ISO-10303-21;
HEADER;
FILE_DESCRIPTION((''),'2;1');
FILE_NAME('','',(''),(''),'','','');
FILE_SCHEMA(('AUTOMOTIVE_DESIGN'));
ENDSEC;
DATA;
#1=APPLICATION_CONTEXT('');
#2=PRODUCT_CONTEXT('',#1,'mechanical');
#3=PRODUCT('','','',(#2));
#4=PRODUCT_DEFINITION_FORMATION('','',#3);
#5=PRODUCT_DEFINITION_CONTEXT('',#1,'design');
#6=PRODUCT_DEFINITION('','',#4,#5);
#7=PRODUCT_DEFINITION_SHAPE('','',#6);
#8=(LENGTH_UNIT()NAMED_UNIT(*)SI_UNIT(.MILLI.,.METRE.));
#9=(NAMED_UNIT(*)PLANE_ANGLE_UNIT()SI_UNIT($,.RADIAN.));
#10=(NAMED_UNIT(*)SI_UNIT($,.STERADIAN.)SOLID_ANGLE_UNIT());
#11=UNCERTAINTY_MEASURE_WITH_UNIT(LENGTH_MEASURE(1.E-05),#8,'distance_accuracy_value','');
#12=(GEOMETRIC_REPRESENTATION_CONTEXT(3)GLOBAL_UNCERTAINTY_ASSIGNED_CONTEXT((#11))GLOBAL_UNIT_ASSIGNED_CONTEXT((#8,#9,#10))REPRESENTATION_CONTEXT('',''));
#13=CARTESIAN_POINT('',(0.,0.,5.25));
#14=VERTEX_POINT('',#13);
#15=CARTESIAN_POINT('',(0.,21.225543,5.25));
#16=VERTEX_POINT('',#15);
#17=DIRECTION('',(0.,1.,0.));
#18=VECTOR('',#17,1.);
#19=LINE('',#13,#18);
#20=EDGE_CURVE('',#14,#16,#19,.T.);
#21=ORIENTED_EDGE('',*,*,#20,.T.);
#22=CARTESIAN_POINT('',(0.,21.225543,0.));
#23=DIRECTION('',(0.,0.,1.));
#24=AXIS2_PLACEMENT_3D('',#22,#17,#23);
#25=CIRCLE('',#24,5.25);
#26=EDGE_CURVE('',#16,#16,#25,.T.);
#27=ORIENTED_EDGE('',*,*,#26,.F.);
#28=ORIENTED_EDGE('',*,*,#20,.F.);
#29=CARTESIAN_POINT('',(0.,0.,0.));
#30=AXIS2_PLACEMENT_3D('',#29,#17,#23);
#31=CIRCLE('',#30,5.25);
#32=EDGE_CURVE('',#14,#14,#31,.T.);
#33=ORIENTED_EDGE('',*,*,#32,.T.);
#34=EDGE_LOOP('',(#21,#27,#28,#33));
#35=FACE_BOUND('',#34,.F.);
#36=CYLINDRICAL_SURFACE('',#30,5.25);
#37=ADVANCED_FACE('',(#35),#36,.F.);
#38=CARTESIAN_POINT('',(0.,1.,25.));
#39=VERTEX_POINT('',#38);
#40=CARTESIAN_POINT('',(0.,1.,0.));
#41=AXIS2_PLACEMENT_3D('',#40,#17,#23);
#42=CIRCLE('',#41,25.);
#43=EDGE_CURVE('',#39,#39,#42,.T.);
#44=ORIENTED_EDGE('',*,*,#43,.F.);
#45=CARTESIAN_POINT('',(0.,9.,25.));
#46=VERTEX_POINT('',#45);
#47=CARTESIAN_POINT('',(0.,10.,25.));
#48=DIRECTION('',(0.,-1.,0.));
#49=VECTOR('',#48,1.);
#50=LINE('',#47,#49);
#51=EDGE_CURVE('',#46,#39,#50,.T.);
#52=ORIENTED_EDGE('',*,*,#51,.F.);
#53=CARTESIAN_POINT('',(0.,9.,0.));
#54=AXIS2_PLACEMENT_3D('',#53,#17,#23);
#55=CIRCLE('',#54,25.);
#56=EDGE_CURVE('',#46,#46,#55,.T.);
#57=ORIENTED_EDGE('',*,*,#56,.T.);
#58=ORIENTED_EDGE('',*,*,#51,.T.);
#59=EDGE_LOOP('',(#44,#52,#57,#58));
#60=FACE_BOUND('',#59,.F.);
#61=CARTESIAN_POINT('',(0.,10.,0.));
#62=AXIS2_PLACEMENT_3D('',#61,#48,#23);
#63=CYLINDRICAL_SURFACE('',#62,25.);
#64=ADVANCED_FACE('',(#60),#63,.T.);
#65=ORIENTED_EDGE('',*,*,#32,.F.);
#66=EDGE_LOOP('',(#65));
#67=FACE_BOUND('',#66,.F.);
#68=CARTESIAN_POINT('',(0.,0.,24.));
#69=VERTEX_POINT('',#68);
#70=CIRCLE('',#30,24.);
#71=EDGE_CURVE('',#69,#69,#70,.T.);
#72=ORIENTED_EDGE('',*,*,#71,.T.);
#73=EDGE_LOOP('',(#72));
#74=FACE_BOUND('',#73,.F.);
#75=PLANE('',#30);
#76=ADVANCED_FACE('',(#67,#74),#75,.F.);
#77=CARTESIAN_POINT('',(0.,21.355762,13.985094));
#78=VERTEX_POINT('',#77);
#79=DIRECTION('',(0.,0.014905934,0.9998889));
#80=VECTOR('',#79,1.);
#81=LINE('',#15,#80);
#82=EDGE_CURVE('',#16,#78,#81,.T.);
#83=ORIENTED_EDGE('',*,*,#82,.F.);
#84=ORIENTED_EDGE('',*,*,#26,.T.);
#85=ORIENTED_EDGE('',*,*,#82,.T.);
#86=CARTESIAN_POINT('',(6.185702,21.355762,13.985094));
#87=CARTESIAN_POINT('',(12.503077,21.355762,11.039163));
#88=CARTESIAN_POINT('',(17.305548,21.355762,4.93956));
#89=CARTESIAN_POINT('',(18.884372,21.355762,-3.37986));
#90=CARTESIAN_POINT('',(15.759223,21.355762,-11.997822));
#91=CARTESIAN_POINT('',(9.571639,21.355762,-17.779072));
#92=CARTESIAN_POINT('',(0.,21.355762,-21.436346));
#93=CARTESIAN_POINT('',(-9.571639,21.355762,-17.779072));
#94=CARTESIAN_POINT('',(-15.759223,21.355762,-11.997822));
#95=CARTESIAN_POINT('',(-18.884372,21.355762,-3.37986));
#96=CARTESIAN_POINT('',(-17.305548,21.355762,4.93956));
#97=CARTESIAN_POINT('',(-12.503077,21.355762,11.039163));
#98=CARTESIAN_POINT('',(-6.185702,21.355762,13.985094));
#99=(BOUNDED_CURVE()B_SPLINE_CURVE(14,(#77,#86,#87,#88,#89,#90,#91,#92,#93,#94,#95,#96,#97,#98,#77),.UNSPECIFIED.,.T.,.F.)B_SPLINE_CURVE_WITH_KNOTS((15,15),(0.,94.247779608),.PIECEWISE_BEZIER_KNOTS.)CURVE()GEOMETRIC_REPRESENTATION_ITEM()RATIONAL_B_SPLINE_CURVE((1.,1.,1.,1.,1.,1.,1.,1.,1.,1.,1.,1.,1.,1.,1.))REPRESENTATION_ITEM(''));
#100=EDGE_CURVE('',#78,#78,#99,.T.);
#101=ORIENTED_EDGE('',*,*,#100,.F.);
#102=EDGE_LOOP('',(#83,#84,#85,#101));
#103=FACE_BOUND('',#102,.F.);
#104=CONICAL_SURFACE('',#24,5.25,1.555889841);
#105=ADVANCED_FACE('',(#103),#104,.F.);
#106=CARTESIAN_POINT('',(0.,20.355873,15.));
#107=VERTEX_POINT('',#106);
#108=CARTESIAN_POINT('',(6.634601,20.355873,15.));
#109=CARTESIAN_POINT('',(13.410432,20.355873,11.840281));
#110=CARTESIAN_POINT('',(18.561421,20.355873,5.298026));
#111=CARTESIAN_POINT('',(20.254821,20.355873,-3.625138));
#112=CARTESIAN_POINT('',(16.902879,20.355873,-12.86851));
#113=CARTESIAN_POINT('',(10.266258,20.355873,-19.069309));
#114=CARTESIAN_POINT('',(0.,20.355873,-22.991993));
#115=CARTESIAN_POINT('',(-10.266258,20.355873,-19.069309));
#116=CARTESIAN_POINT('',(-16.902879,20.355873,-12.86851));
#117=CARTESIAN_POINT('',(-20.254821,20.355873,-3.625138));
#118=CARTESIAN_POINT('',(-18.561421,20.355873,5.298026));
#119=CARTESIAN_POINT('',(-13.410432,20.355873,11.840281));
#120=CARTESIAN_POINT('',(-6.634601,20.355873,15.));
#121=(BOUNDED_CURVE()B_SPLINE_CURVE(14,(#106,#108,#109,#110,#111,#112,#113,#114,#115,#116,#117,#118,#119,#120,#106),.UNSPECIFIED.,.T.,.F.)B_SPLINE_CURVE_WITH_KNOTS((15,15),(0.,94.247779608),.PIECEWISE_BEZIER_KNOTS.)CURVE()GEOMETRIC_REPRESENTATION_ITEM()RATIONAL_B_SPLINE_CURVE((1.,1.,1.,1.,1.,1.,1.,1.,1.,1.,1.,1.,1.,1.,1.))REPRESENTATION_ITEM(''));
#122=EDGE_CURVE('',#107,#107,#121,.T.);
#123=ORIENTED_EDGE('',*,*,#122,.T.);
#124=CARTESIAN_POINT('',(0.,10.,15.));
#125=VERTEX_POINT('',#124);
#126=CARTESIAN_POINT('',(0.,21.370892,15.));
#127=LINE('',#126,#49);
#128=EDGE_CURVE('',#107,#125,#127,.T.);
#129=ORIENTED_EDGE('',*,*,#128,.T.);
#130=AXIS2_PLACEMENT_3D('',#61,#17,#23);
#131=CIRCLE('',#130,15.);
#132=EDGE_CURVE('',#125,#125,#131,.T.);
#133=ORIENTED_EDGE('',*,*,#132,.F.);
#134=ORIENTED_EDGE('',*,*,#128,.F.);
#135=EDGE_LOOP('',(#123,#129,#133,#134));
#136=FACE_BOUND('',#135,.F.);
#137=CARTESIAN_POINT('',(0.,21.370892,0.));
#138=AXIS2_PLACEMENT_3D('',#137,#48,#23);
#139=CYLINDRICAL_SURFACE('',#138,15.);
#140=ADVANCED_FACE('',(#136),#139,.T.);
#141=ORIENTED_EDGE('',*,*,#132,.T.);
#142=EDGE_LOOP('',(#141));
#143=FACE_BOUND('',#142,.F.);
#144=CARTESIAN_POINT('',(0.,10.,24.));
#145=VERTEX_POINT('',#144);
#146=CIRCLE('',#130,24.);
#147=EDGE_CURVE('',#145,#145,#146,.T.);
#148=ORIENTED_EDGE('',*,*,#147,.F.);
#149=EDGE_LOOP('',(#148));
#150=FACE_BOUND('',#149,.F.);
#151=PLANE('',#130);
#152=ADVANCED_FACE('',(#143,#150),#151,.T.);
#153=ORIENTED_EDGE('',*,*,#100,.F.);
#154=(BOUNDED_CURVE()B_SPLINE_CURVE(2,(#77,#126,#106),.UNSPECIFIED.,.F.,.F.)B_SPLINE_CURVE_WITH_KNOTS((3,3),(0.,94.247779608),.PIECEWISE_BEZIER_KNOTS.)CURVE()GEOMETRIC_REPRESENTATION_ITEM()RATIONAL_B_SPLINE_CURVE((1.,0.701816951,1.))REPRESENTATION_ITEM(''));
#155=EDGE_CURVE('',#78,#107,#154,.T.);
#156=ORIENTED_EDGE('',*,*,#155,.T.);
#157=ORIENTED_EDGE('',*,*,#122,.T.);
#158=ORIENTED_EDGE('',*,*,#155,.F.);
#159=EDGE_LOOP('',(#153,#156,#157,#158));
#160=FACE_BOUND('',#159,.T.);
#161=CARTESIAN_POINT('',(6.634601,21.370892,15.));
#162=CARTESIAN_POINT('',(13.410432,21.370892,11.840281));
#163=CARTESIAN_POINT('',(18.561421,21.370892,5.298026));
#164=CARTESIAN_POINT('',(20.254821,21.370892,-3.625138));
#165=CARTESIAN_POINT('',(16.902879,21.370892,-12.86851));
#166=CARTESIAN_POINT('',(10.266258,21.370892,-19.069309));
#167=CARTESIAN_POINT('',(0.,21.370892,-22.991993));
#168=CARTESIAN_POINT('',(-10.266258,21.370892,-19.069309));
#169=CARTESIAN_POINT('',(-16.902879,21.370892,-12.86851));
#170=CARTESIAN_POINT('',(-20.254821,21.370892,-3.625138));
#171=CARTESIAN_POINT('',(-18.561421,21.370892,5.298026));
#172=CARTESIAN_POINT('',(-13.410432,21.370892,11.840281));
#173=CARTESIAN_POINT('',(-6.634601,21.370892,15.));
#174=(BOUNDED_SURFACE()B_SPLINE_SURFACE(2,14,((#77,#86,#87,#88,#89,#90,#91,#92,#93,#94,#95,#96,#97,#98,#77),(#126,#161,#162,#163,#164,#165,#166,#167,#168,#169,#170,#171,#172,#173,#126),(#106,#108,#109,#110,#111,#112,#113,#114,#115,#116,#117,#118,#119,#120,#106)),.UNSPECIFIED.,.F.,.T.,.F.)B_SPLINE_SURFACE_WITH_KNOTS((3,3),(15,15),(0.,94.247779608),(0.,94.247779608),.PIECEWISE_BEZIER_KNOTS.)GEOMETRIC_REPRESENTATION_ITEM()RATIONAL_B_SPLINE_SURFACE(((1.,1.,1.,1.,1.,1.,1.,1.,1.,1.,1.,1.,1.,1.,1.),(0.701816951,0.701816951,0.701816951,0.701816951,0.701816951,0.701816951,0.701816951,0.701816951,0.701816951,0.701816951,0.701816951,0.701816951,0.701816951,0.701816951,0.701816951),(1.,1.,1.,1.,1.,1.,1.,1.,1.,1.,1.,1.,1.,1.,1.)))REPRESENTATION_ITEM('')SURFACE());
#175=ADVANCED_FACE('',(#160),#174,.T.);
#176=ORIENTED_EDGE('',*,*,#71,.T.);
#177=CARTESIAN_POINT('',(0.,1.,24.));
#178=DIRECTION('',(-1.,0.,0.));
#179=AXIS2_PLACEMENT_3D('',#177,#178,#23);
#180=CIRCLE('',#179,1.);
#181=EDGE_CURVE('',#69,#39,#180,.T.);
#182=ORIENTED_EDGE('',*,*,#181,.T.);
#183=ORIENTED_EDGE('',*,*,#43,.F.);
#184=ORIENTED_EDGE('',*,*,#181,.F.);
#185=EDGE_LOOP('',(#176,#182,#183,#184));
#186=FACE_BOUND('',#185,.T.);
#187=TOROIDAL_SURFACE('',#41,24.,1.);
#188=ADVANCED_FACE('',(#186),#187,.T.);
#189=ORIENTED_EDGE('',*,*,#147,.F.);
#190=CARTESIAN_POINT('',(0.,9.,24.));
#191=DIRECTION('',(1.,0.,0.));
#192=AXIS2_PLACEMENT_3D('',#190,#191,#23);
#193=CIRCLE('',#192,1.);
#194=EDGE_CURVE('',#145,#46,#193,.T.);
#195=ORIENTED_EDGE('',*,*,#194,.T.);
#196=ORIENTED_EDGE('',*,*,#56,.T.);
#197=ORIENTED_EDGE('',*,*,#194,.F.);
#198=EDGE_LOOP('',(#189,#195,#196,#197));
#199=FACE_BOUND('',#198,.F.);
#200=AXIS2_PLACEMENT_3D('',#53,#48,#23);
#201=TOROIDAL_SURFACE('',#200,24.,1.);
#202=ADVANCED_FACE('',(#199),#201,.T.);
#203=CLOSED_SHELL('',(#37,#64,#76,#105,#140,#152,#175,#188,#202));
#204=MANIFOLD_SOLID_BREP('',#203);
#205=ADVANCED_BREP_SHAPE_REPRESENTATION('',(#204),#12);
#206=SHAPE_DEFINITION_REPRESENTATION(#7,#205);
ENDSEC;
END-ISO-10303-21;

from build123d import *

# Parameters (mm, degrees)
F2_R = 1


with BuildPart() as f1:
    # F0 (on Right) → F1 (revolve)
    with BuildSketch(Plane.YZ):
        Polygon((0, 25), (0, 5.25), (21.225543, 5.25), (21.370892, 15), (10, 15), (10, 25), align=None)
    revolve(axis=Axis((0, 15.687147, 0), (0, 1, 0)))

    # F2
    f2_edges = [f1.edges().sort_by_distance(p)[0] for p in [
        (0, 0, -25),
        (0, 10, -25),
        (0, 21.370892, -15),
    ]]
    fillet(f2_edges, radius=F2_R)


solid = f1.part
